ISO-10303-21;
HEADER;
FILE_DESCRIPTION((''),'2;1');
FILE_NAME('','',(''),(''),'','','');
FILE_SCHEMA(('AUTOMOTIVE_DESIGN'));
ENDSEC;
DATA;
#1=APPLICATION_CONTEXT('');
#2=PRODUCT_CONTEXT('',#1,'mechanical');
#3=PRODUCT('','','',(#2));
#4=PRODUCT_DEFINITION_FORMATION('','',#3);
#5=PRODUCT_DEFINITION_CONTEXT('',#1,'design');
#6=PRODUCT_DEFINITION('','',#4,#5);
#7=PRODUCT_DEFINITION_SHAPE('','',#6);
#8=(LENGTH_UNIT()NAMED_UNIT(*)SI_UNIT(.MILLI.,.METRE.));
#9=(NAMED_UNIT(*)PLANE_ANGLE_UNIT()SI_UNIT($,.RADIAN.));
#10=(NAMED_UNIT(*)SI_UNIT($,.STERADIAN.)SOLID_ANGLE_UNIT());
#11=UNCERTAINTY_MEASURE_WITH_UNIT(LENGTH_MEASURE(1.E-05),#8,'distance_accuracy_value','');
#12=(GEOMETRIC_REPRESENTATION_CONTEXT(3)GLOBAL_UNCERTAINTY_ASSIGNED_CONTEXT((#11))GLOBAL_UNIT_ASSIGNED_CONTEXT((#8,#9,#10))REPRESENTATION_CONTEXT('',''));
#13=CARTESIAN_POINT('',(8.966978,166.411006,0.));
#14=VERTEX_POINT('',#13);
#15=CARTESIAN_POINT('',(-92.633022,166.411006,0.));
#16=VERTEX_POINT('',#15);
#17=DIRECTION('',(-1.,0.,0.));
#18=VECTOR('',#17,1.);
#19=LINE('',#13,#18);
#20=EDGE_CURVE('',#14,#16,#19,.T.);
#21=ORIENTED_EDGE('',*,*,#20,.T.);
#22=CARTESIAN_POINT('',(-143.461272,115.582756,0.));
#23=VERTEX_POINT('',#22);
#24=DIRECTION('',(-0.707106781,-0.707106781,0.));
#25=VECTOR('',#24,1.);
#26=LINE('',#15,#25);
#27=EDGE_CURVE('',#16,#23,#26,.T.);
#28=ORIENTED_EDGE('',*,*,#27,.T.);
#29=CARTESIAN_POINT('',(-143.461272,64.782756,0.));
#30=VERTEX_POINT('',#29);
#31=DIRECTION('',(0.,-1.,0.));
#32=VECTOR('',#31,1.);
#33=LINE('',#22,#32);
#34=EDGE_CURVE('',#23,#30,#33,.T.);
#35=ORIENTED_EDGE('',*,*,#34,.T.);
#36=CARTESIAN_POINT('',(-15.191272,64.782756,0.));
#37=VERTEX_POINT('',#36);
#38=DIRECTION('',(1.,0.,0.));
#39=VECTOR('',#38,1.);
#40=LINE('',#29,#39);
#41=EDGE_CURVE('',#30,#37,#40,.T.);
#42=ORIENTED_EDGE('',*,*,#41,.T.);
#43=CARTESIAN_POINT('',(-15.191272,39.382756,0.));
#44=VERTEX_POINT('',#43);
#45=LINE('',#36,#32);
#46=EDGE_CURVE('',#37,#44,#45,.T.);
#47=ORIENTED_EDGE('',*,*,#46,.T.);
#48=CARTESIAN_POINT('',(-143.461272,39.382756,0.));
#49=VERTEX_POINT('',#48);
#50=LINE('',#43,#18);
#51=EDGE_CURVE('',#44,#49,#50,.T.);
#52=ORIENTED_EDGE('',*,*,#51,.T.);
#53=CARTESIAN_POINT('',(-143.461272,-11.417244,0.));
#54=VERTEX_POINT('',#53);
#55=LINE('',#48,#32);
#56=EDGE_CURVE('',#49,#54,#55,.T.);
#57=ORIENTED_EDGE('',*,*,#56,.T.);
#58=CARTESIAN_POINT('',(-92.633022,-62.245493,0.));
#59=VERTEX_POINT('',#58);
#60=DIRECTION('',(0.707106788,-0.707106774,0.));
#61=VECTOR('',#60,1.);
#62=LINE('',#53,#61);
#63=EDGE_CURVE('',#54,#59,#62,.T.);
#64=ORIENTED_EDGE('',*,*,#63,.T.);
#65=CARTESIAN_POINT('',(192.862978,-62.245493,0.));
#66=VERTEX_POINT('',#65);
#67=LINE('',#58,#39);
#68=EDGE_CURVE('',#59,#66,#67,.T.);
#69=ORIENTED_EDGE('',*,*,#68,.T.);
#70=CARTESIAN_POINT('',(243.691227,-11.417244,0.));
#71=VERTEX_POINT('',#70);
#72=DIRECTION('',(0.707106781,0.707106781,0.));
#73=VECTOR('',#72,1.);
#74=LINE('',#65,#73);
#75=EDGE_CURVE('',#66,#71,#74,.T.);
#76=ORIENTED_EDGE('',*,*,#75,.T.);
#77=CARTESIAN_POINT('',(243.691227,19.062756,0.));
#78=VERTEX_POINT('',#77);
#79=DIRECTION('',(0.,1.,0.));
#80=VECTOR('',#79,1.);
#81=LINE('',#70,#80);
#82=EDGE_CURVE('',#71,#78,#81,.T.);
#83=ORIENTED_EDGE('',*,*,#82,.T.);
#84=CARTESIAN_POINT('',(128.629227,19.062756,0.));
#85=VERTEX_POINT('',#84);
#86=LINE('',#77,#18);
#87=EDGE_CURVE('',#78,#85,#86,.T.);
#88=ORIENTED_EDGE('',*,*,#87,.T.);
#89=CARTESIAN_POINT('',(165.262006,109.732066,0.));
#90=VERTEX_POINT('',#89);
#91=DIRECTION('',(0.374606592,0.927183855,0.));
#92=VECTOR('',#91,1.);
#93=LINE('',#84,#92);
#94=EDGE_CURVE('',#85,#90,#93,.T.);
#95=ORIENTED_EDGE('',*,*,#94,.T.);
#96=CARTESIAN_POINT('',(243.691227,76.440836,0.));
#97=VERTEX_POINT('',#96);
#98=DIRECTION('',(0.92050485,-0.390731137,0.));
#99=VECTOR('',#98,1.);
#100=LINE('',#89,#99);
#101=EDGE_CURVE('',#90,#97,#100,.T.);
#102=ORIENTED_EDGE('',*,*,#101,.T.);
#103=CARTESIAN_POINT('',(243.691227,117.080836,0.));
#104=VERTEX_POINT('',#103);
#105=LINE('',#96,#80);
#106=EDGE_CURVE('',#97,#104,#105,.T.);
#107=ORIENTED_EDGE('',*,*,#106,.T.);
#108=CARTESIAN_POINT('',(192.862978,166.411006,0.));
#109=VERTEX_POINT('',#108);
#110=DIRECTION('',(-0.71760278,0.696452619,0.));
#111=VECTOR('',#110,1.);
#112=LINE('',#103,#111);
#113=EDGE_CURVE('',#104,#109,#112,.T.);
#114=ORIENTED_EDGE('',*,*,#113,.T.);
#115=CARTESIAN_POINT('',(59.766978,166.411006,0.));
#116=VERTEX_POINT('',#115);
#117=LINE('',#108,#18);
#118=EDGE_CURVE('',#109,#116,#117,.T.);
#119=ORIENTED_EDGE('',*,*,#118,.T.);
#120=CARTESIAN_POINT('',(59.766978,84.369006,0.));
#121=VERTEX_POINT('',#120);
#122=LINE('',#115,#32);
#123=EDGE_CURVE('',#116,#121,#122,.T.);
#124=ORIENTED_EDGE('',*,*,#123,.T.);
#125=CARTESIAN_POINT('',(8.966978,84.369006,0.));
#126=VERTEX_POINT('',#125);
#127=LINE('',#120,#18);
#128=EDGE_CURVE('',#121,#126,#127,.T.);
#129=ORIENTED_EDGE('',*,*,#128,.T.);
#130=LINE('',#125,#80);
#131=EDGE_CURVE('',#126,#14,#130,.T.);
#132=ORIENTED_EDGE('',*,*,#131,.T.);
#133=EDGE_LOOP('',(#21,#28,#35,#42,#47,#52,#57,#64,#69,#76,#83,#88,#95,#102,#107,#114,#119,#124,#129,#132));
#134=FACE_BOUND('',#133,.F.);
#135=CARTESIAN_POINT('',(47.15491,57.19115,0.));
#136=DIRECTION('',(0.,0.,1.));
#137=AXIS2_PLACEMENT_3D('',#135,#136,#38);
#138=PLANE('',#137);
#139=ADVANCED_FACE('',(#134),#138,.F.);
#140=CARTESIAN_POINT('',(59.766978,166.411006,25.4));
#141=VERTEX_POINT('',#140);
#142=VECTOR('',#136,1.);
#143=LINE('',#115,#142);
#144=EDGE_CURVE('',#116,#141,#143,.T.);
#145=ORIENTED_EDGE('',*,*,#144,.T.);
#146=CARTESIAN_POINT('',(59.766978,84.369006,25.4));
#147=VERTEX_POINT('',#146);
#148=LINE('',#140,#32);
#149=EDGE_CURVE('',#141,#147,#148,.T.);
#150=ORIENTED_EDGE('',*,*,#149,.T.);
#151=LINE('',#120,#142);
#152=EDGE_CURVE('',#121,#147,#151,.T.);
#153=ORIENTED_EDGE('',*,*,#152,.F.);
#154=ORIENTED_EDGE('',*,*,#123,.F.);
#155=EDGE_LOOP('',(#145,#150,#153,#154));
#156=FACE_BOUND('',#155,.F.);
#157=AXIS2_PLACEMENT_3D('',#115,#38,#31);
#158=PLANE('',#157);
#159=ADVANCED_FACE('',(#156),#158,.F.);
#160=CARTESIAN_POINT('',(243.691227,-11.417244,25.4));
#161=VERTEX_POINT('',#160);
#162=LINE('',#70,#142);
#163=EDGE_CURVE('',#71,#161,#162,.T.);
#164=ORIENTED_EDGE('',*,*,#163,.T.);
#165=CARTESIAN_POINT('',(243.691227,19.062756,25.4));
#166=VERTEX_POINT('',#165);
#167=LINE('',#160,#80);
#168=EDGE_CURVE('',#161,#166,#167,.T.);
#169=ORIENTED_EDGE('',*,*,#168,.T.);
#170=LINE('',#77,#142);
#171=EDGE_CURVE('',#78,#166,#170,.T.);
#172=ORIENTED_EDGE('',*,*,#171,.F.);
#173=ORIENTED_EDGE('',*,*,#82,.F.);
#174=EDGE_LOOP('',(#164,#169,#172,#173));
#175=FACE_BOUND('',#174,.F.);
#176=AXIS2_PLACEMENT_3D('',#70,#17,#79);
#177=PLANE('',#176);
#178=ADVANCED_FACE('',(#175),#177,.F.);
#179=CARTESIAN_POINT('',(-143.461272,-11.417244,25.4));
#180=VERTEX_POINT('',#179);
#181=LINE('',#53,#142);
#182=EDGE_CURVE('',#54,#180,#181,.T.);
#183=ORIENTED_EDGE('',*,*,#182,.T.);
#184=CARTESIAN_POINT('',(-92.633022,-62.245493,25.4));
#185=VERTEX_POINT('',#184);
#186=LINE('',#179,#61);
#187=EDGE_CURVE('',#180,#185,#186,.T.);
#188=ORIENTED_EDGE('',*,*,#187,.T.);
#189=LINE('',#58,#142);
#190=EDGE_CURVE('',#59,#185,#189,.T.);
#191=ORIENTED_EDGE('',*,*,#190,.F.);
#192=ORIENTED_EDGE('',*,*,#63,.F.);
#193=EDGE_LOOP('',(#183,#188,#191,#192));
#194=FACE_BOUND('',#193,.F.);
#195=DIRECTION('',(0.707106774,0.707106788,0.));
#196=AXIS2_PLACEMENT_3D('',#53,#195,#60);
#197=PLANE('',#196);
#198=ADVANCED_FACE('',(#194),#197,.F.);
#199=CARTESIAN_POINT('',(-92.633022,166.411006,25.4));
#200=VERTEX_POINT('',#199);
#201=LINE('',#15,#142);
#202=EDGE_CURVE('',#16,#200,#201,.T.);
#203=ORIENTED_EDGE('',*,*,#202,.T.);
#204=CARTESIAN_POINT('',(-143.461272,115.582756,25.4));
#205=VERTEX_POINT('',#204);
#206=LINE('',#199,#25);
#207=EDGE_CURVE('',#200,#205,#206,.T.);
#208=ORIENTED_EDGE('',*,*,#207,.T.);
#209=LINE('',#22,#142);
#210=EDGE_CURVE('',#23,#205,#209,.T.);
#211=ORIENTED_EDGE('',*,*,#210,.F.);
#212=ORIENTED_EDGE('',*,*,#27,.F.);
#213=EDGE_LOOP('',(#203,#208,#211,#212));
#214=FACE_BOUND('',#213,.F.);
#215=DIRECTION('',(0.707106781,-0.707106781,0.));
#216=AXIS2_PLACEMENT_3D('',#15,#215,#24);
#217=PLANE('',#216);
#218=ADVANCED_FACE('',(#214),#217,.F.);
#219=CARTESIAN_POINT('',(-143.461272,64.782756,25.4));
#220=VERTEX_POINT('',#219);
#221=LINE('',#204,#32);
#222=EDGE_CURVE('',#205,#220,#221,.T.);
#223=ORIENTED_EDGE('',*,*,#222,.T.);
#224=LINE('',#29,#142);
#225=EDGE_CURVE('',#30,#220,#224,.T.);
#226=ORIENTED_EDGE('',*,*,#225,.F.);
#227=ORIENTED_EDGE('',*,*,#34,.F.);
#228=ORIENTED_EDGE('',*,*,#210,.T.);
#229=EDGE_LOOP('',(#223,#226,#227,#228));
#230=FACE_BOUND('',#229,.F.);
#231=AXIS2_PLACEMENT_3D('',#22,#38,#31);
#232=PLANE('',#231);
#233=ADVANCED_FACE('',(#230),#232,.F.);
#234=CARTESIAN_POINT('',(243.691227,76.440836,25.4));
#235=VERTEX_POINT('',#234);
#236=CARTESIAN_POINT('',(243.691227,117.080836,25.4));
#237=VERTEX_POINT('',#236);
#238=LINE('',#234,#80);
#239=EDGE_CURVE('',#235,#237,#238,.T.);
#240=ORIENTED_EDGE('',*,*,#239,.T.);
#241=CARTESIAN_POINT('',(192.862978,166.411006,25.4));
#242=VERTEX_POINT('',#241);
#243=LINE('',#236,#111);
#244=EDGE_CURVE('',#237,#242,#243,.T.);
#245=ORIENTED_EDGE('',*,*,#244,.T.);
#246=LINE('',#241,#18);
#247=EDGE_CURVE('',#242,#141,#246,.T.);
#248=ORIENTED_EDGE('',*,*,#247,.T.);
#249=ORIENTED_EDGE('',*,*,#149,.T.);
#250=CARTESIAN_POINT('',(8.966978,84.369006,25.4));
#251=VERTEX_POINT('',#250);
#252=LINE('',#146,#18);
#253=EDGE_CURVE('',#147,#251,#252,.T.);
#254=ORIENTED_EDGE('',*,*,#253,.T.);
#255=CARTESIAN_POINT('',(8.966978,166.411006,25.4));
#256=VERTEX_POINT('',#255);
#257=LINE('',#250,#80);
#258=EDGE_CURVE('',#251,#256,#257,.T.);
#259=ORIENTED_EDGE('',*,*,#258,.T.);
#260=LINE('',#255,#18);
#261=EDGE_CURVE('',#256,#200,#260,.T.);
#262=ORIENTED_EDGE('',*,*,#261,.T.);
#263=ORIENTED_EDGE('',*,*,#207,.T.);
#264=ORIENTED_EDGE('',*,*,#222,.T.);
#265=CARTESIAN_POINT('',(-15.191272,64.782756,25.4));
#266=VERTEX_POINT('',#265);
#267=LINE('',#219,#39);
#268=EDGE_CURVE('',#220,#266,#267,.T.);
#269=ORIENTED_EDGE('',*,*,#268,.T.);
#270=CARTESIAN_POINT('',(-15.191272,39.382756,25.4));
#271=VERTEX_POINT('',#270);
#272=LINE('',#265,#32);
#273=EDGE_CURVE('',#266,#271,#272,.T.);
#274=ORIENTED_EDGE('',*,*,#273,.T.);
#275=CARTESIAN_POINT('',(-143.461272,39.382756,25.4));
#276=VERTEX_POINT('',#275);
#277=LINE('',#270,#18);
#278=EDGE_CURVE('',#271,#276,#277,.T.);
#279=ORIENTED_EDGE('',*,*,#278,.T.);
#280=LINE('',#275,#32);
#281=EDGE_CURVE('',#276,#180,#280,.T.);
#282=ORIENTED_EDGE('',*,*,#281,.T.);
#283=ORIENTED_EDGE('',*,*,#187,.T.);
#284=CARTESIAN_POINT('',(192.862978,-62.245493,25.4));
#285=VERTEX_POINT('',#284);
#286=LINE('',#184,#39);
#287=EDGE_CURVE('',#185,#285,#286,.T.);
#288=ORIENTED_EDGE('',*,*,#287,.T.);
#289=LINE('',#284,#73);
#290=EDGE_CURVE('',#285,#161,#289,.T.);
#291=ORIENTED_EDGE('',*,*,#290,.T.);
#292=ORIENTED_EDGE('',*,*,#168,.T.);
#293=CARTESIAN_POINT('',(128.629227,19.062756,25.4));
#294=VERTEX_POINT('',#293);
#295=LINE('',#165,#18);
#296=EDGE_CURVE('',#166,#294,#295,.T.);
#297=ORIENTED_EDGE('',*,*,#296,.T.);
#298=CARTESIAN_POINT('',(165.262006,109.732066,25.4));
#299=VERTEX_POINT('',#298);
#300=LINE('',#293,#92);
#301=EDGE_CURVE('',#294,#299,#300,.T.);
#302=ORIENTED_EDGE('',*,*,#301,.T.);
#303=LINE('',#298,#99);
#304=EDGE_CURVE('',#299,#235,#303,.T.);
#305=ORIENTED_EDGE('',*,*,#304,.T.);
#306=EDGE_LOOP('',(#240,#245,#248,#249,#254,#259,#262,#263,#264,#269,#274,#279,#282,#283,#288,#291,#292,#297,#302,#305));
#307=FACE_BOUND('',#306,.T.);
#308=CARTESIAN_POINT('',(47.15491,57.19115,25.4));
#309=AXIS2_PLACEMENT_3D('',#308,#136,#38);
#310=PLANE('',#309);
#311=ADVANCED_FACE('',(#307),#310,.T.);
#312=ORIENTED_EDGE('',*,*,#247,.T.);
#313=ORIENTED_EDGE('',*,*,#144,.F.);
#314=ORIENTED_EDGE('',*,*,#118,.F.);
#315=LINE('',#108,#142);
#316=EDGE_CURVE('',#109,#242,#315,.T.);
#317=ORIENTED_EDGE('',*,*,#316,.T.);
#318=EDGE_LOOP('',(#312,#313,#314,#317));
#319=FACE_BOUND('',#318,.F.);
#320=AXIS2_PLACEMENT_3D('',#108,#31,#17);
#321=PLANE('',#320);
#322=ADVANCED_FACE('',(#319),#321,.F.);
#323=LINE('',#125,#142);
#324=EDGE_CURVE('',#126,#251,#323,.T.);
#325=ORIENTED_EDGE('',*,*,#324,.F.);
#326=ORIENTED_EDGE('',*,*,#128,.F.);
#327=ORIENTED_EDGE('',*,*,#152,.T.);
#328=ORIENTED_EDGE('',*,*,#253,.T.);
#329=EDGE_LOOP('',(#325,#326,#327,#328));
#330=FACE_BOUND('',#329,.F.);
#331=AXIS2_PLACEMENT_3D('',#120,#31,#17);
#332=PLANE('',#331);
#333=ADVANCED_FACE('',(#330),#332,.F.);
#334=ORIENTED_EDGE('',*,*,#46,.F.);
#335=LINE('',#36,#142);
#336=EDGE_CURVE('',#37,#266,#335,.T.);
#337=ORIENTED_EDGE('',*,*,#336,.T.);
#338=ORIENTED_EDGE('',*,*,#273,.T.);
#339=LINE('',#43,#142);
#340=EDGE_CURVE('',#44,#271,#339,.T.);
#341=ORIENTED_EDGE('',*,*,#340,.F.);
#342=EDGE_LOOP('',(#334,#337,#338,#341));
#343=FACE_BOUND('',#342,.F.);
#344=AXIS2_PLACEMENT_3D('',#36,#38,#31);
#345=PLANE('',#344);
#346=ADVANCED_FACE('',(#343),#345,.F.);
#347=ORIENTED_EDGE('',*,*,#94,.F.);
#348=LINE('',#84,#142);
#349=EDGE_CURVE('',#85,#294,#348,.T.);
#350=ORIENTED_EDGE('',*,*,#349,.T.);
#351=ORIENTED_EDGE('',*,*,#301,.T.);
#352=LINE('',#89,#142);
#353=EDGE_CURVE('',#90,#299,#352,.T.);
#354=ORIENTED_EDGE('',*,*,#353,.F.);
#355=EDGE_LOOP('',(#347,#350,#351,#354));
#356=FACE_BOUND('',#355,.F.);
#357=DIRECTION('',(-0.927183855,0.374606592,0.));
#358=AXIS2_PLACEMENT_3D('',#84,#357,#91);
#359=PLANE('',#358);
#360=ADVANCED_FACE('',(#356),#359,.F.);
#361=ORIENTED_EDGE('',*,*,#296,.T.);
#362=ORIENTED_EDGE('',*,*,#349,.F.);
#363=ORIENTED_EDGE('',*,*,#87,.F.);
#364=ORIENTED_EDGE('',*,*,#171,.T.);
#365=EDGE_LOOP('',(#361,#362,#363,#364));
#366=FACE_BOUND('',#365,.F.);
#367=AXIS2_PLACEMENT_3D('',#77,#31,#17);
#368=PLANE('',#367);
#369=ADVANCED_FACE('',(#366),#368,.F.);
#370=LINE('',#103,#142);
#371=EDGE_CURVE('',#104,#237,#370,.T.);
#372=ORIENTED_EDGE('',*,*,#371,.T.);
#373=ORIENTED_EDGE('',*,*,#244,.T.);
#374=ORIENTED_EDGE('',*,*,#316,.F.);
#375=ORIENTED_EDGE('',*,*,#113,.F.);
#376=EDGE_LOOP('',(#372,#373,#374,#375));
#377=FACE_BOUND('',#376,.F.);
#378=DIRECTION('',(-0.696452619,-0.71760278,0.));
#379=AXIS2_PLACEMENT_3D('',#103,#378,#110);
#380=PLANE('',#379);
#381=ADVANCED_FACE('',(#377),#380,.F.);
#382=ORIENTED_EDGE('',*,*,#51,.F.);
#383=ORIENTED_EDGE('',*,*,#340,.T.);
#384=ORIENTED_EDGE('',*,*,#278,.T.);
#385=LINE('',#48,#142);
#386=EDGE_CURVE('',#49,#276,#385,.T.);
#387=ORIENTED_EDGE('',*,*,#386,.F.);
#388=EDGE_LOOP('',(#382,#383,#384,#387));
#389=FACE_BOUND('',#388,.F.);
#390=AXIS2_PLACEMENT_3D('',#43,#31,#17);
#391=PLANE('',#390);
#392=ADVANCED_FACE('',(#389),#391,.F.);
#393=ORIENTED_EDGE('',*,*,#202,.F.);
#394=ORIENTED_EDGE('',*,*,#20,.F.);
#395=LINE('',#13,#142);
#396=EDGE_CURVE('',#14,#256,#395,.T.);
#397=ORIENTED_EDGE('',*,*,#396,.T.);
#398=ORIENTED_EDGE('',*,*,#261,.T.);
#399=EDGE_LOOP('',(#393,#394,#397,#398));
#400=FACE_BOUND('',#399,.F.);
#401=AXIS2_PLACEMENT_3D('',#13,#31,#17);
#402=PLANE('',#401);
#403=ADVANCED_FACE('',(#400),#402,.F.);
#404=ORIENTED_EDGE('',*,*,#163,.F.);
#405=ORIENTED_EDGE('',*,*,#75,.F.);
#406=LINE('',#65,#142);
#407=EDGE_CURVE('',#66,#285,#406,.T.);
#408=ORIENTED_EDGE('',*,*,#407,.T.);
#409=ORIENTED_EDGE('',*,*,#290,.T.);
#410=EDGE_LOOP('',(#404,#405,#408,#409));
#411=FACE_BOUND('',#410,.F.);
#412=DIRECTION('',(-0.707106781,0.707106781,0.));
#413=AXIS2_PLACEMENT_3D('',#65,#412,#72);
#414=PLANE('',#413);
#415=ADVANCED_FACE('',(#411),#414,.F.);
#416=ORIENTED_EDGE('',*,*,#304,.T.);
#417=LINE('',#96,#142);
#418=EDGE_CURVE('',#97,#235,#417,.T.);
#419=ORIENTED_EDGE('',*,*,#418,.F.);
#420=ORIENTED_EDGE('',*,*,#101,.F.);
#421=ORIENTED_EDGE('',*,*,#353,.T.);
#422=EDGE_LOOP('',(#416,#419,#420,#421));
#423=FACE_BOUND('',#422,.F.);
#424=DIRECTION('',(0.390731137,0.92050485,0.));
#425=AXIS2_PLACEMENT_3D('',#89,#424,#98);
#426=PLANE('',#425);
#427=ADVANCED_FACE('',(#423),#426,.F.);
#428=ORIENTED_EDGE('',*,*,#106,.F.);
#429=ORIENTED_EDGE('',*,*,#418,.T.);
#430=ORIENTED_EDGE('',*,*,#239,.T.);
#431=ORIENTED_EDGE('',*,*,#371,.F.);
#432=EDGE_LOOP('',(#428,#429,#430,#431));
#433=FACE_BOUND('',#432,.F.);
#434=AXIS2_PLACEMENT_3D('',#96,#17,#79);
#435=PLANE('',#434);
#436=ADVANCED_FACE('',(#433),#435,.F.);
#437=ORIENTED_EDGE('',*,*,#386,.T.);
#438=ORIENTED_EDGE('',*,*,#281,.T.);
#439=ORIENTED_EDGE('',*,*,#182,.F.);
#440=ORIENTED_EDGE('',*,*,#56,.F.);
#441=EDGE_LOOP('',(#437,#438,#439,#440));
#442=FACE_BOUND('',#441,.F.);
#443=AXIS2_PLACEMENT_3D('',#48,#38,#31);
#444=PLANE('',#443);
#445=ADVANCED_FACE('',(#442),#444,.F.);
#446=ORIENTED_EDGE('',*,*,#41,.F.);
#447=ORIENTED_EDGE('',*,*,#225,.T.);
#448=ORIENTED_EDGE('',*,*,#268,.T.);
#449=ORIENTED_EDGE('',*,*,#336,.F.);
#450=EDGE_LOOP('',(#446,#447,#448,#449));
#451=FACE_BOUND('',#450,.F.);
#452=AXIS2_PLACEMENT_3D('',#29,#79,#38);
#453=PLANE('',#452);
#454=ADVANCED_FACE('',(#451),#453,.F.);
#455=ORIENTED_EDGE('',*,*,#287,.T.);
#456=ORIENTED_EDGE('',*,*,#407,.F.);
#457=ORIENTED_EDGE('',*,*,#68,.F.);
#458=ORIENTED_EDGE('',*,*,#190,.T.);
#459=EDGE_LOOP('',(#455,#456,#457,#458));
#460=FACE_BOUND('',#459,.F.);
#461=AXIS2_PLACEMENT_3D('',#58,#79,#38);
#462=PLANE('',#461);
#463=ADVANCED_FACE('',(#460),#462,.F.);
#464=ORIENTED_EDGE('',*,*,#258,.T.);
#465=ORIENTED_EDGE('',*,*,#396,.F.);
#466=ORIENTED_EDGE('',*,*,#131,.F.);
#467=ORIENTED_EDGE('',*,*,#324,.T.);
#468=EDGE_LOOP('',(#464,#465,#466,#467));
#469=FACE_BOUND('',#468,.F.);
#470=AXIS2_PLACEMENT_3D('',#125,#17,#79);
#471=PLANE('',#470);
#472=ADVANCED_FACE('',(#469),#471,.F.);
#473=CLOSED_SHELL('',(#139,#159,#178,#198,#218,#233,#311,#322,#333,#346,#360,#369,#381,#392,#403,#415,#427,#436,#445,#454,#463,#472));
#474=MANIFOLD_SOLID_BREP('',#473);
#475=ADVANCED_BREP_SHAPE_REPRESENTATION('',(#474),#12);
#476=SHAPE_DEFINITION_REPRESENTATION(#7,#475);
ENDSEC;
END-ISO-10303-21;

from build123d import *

# Parameters (mm, degrees)
F1_DEPTH = 25.4


with BuildPart() as f1:
    # F0 (on Top) → F1 (new body)
    with BuildSketch(Plane.XY):
        Polygon((-143.461272, -11.417244), (-92.633022, -62.245493), (192.862978, -62.245493), (243.691227, -11.417244), (243.691227, 19.062756), (128.629227, 19.062756), (165.262006, 109.732066), (243.691227, 76.440836), (243.691227, 117.080836), (192.862978, 166.411006), (59.766978, 166.411006), (59.766978, 84.369006), (8.966978, 84.369006), (8.966978, 166.411006), (-92.633022, 166.411006), (-143.461272, 115.582756), (-143.461272, 64.782756), (-15.191272, 64.782756), (-15.191272, 39.382756), (-143.461272, 39.382756), align=None)
    extrude(amount=F1_DEPTH)


solid = f1.part
